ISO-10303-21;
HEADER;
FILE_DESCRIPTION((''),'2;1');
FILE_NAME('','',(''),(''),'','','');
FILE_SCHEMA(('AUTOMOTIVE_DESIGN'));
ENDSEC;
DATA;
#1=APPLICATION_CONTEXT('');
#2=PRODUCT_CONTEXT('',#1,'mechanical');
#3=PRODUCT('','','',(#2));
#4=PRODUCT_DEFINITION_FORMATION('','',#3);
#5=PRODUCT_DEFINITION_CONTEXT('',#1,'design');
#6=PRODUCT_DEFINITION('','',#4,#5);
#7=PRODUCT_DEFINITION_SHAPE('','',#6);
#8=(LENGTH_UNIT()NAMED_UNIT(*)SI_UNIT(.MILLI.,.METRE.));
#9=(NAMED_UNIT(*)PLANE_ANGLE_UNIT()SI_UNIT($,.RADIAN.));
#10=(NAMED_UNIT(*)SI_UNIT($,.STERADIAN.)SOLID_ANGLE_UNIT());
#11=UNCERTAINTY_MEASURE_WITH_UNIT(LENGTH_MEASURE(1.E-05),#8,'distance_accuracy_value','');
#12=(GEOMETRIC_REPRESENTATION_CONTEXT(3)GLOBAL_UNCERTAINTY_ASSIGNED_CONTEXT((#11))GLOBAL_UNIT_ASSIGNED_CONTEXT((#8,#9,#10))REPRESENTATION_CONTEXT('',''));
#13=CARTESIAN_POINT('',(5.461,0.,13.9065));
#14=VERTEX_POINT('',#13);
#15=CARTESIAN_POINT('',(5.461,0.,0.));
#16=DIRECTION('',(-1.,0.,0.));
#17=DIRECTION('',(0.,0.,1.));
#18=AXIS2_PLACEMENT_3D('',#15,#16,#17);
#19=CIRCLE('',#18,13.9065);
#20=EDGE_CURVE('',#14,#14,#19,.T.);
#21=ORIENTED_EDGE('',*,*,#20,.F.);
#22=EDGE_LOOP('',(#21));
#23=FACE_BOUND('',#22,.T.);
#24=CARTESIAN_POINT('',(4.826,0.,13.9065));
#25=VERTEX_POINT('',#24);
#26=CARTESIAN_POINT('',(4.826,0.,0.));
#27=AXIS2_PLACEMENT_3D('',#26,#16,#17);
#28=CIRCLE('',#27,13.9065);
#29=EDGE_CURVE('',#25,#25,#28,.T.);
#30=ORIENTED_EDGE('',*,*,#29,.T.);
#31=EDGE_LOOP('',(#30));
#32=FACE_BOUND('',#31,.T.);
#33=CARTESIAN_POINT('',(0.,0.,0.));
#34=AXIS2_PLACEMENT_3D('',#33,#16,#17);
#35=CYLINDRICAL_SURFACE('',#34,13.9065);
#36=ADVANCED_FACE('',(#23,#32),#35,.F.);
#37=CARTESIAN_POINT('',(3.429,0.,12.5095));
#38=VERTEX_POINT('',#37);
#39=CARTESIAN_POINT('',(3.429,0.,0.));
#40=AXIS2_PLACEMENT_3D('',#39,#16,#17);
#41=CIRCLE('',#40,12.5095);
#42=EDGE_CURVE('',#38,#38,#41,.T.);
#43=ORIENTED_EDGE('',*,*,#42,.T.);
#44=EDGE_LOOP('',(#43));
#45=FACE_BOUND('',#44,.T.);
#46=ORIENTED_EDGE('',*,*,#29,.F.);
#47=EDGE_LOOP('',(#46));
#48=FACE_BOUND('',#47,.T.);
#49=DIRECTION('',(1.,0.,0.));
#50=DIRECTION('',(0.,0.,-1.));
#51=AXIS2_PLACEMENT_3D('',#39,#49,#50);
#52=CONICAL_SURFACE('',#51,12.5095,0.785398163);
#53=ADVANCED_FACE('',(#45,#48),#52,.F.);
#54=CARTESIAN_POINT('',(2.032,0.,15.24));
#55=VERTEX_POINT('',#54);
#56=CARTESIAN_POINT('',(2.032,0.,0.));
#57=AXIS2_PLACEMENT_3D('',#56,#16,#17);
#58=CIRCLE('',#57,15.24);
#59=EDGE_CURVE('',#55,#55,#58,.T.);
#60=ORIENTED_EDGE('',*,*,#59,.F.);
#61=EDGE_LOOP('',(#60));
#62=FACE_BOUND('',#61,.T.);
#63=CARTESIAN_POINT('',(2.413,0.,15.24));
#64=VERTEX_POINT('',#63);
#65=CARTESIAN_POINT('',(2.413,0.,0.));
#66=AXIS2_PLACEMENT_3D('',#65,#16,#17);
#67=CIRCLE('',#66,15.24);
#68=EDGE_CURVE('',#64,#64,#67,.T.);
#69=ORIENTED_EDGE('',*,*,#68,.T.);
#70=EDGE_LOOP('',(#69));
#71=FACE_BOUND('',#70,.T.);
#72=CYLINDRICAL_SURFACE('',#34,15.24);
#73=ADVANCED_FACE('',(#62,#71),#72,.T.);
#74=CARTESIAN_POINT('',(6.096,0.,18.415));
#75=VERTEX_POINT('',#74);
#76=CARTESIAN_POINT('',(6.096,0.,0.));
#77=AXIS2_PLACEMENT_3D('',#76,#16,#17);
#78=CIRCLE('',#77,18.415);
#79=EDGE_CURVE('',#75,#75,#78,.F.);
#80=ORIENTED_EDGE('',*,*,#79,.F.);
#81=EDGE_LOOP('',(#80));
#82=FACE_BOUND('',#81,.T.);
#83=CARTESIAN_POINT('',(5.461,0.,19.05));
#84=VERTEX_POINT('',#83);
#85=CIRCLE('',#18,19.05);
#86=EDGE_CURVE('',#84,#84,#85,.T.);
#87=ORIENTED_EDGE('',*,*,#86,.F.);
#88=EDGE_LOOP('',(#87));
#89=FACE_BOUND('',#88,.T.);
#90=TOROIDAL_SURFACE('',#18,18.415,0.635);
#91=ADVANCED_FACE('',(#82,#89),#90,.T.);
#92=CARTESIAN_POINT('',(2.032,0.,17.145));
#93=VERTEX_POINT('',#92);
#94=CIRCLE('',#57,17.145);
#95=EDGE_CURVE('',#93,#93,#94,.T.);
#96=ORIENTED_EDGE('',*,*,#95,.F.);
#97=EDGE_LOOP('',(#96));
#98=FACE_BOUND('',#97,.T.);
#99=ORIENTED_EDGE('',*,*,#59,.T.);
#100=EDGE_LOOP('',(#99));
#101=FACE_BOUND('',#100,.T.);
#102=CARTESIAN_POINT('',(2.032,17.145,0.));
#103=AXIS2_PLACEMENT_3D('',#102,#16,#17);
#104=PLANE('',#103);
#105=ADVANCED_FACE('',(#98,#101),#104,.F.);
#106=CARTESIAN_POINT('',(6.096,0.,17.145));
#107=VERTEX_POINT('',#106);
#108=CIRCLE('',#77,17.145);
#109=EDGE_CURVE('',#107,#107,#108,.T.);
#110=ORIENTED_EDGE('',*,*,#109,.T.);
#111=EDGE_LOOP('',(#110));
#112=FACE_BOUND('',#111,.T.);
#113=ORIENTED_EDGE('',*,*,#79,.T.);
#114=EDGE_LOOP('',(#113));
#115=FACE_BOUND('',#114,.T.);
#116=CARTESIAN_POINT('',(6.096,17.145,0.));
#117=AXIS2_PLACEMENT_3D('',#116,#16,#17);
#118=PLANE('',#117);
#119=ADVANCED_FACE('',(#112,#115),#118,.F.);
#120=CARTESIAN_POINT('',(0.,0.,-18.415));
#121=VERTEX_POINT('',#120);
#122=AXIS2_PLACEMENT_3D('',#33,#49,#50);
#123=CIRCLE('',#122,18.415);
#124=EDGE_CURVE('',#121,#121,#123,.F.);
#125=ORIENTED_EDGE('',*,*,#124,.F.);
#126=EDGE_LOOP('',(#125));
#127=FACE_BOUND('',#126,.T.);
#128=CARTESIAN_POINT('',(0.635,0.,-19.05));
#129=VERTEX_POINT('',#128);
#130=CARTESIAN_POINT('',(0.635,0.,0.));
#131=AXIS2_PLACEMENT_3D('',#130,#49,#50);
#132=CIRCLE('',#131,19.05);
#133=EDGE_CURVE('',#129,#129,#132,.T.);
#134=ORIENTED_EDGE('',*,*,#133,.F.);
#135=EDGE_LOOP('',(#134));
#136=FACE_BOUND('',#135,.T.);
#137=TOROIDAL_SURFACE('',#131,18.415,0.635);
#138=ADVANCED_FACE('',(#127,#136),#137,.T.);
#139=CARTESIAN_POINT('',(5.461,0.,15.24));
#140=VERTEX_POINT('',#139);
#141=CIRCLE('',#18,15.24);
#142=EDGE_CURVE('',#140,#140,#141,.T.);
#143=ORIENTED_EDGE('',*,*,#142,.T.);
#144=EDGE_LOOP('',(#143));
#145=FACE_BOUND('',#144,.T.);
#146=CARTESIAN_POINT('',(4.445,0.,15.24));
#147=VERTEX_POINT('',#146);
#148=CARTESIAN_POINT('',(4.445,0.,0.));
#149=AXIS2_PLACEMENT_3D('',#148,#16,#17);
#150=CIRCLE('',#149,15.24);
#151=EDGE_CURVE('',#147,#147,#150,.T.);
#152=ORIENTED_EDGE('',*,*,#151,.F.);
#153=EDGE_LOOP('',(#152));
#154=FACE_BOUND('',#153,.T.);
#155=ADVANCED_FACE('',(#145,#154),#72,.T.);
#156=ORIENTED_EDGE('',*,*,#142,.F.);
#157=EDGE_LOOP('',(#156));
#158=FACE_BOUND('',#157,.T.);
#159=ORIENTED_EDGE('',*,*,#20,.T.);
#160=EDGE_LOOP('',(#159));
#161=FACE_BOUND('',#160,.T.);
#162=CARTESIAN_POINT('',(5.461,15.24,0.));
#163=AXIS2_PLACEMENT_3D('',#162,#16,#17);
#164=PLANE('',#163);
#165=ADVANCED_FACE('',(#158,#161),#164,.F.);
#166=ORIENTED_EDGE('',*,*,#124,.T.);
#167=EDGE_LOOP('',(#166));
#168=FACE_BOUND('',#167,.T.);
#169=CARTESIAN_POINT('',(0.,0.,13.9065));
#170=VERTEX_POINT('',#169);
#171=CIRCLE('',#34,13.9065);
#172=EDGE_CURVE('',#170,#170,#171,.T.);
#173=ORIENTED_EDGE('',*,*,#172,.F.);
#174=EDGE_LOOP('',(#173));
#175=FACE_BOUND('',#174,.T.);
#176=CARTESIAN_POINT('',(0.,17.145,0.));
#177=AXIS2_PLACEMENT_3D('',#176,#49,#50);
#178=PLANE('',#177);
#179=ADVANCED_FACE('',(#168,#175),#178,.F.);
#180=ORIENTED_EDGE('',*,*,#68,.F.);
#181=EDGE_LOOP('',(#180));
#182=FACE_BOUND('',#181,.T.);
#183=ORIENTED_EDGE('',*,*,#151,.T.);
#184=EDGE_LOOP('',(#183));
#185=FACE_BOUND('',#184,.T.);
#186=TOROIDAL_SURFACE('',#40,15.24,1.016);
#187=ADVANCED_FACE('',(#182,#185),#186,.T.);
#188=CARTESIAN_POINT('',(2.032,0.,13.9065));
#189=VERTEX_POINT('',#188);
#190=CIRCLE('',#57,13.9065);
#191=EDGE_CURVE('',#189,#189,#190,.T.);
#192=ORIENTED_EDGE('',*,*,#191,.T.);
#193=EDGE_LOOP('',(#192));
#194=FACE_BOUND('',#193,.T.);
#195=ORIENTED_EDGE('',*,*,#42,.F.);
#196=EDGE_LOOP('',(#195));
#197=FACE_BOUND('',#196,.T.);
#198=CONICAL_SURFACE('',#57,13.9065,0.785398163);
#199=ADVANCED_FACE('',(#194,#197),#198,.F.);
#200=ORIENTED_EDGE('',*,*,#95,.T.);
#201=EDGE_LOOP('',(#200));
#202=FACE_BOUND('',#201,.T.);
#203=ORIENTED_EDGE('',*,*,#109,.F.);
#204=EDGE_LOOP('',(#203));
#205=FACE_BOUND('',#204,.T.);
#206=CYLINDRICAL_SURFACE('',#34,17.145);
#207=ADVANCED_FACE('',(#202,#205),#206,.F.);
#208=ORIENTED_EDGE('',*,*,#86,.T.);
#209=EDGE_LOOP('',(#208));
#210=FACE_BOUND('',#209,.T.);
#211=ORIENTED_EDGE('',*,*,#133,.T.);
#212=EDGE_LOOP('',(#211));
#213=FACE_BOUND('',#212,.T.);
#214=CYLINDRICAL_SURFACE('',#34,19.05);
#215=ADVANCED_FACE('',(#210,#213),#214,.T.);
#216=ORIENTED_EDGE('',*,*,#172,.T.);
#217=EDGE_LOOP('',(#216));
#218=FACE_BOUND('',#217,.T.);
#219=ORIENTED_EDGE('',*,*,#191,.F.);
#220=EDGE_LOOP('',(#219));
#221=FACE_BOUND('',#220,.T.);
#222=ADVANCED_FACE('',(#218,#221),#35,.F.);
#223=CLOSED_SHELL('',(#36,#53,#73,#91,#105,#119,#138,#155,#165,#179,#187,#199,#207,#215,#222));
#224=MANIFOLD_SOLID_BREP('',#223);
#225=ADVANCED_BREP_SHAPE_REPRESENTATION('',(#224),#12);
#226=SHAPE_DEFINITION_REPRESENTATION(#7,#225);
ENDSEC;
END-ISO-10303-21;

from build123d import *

# Parameters (mm, degrees)
EDGE_FILLET_R = 0.635


with BuildPart() as part:
    # Primary Sketch → Primary Revolve (revolve)
    with BuildSketch(Plane.XY, mode=Mode.PRIVATE) as primary_revolve_sk:
        with BuildLine():
            Line((2.032, 17.145), (6.096, 17.145))
            Line((6.096, 17.145), (6.096, 19.05))
            Line((6.096, 19.05), (0, 19.05))
            Line((0, 19.05), (0, 17.145))
            Line((0, 17.145), (0, 13.9065))
            Line((0, 13.9065), (2.032, 13.9065))
            Line((2.032, 13.9065), (3.429, 12.5095))
            Line((3.429, 12.5095), (4.826, 13.9065))
            Line((4.826, 13.9065), (5.461, 13.9065))
            Line((5.461, 13.9065), (5.461, 15.24))
            Line((5.461, 15.24), (4.445, 15.24))
            ThreePointArc((4.445, 15.24), (3.429, 16.256), (2.413, 15.24))
            Line((2.413, 15.24), (2.032, 15.24))
            Line((2.032, 15.24), (2.032, 17.145))
        make_face()
    revolve(primary_revolve_sk.sketch.rotate(Axis((0, 0, 0), (1, 0, 0)), 90), axis=Axis((0, 0, 0), (1, 0, 0)))

    # Edge Fillet
    edge_fillet_edges = [part.edges().sort_by_distance(p)[0] for p in [
        (6.096, 0, -19.05),
        (0, 0, -19.05),
    ]]
    fillet(edge_fillet_edges, radius=EDGE_FILLET_R)


solid = part.part
